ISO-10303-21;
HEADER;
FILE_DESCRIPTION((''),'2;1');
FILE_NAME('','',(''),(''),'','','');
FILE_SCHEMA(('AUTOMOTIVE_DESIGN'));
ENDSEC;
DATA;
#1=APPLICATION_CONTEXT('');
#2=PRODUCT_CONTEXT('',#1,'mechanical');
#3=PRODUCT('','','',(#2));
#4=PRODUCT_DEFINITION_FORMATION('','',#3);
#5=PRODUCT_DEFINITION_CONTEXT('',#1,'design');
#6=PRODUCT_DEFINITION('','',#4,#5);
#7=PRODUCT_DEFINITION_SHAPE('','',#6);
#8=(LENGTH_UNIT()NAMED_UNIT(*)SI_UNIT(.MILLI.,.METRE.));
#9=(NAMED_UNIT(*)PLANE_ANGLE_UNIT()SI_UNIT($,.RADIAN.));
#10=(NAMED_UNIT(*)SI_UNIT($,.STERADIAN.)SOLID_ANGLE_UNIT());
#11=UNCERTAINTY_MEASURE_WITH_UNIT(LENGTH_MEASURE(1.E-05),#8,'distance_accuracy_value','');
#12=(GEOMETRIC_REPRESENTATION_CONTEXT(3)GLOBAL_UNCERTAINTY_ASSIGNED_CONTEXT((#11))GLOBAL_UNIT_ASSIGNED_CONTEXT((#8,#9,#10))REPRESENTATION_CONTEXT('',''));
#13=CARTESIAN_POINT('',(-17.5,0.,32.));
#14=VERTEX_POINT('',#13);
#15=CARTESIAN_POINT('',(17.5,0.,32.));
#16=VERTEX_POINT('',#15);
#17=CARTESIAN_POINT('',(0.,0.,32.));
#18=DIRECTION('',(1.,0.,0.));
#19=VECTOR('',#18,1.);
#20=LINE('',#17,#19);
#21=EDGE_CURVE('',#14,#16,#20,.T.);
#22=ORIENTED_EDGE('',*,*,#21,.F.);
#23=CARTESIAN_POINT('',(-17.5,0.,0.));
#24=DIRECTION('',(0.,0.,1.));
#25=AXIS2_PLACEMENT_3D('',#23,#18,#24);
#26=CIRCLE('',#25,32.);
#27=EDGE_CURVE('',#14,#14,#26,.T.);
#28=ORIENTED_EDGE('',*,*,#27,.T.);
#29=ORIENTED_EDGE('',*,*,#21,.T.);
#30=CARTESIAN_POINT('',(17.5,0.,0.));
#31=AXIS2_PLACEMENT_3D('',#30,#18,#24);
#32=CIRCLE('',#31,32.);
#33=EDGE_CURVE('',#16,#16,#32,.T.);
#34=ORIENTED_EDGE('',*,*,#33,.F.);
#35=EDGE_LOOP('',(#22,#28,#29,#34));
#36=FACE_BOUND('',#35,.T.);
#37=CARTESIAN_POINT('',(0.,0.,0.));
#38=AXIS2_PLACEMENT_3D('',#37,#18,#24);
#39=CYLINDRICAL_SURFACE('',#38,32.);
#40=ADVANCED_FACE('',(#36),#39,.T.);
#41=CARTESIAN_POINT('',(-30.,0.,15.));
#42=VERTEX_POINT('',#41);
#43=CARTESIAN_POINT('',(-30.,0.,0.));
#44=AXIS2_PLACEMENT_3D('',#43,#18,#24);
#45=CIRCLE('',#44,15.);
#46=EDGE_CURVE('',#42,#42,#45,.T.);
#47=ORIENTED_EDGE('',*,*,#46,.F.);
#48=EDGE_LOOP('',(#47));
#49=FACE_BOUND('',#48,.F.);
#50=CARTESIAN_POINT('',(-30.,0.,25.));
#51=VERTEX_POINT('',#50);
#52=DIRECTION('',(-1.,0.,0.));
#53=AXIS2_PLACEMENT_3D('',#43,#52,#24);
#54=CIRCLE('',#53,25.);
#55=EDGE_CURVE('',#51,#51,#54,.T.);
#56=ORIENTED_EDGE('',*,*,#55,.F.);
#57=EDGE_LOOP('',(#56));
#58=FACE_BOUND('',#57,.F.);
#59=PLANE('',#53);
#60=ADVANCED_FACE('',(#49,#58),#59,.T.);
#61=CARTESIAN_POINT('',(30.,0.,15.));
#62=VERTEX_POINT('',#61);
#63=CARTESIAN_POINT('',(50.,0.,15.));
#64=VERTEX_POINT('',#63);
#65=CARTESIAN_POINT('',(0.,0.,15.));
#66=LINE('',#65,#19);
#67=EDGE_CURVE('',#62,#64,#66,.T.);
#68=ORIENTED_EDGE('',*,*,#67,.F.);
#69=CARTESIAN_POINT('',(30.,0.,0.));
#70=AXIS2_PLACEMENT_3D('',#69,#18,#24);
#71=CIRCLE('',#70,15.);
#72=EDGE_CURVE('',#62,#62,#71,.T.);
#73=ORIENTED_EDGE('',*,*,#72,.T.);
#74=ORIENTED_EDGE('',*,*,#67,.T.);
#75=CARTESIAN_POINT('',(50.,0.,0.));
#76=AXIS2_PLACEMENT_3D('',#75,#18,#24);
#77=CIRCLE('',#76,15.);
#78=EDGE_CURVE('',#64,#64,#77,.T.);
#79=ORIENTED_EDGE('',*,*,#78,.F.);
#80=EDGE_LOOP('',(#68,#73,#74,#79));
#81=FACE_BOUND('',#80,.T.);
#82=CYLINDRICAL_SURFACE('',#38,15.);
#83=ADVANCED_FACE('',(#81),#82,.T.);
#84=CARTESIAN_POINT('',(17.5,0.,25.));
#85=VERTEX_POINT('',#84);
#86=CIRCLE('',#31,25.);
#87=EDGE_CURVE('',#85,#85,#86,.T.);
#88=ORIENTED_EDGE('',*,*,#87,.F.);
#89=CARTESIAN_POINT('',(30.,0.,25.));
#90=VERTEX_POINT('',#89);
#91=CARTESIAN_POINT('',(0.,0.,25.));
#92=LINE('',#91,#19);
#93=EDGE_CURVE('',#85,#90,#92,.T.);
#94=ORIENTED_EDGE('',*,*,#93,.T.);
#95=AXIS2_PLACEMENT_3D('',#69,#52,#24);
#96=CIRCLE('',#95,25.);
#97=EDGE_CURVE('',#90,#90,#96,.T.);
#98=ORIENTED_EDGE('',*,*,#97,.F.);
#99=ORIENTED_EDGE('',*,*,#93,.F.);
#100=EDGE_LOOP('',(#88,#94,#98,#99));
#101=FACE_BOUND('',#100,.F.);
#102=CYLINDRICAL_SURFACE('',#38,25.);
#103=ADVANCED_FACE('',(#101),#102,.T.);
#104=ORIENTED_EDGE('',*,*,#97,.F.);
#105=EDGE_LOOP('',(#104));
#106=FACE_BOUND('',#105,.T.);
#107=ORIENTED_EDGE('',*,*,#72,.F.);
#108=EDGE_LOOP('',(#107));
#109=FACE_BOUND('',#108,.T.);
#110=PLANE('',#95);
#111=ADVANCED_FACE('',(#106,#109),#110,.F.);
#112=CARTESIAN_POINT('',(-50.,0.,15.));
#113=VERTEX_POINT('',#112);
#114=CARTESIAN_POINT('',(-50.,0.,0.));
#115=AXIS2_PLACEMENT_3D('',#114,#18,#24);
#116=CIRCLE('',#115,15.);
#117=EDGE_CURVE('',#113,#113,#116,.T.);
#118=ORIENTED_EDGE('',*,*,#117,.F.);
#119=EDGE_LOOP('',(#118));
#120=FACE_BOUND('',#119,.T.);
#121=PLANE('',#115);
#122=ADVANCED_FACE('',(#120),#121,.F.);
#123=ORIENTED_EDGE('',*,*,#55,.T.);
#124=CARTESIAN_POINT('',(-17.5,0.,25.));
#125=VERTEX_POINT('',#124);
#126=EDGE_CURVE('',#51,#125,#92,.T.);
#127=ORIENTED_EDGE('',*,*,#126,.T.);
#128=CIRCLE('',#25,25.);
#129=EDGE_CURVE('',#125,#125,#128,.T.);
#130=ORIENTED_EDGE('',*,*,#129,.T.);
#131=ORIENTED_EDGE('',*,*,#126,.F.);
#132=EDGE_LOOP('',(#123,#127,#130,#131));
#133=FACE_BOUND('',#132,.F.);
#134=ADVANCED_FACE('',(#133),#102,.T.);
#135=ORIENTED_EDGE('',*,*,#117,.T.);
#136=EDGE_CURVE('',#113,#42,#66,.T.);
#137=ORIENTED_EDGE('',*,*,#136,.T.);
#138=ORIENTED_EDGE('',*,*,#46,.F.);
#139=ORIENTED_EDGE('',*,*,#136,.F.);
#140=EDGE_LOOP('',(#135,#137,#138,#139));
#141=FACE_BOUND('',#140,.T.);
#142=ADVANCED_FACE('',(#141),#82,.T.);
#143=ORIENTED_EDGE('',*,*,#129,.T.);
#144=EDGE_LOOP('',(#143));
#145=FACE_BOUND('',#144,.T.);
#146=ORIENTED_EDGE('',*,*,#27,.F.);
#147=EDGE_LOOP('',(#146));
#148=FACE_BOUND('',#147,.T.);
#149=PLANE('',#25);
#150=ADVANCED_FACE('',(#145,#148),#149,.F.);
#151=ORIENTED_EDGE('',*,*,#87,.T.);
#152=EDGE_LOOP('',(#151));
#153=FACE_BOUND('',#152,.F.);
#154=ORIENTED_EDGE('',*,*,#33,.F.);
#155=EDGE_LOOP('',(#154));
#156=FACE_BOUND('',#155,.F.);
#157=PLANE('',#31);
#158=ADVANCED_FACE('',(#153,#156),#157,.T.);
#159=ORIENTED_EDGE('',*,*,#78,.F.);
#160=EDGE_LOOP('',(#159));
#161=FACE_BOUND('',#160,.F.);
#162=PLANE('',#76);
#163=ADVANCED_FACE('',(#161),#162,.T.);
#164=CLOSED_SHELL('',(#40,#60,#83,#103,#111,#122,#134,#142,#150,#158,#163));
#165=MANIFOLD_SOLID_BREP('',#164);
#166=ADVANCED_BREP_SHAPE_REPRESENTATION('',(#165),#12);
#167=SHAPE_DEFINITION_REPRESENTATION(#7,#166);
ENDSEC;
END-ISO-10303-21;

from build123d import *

# Parameters (mm, degrees)
F0_W = 100
F0_H = 15
F2_W = 60
F2_H = 25
F4_W = 35
F4_H = 32


with BuildPart() as f1:
    # F0 (on Front) → F1 (revolve)
    with BuildSketch(Plane.XZ):
        with Locations((0, 7.5)):
            Rectangle(F0_W, F0_H)
    revolve(axis=Axis((-0.244819, 0, 0), (1, 0, 0)))

    # F2 (on Front) → F3 (revolve)
    with BuildSketch(Plane.XZ):
        with Locations((0, 12.5)):
            Rectangle(F2_W, F2_H)
    revolve(axis=Axis((16.772865, 0, 0), (-1, 0, 0)))

    # F4 (on Front) → F5 (revolve)
    with BuildSketch(Plane.XZ):
        with Locations((0, 16)):
            Rectangle(F4_W, F4_H)
    revolve(axis=Axis((8.252203, 0, 0), (1, 0, 0)))


solid = f1.part
